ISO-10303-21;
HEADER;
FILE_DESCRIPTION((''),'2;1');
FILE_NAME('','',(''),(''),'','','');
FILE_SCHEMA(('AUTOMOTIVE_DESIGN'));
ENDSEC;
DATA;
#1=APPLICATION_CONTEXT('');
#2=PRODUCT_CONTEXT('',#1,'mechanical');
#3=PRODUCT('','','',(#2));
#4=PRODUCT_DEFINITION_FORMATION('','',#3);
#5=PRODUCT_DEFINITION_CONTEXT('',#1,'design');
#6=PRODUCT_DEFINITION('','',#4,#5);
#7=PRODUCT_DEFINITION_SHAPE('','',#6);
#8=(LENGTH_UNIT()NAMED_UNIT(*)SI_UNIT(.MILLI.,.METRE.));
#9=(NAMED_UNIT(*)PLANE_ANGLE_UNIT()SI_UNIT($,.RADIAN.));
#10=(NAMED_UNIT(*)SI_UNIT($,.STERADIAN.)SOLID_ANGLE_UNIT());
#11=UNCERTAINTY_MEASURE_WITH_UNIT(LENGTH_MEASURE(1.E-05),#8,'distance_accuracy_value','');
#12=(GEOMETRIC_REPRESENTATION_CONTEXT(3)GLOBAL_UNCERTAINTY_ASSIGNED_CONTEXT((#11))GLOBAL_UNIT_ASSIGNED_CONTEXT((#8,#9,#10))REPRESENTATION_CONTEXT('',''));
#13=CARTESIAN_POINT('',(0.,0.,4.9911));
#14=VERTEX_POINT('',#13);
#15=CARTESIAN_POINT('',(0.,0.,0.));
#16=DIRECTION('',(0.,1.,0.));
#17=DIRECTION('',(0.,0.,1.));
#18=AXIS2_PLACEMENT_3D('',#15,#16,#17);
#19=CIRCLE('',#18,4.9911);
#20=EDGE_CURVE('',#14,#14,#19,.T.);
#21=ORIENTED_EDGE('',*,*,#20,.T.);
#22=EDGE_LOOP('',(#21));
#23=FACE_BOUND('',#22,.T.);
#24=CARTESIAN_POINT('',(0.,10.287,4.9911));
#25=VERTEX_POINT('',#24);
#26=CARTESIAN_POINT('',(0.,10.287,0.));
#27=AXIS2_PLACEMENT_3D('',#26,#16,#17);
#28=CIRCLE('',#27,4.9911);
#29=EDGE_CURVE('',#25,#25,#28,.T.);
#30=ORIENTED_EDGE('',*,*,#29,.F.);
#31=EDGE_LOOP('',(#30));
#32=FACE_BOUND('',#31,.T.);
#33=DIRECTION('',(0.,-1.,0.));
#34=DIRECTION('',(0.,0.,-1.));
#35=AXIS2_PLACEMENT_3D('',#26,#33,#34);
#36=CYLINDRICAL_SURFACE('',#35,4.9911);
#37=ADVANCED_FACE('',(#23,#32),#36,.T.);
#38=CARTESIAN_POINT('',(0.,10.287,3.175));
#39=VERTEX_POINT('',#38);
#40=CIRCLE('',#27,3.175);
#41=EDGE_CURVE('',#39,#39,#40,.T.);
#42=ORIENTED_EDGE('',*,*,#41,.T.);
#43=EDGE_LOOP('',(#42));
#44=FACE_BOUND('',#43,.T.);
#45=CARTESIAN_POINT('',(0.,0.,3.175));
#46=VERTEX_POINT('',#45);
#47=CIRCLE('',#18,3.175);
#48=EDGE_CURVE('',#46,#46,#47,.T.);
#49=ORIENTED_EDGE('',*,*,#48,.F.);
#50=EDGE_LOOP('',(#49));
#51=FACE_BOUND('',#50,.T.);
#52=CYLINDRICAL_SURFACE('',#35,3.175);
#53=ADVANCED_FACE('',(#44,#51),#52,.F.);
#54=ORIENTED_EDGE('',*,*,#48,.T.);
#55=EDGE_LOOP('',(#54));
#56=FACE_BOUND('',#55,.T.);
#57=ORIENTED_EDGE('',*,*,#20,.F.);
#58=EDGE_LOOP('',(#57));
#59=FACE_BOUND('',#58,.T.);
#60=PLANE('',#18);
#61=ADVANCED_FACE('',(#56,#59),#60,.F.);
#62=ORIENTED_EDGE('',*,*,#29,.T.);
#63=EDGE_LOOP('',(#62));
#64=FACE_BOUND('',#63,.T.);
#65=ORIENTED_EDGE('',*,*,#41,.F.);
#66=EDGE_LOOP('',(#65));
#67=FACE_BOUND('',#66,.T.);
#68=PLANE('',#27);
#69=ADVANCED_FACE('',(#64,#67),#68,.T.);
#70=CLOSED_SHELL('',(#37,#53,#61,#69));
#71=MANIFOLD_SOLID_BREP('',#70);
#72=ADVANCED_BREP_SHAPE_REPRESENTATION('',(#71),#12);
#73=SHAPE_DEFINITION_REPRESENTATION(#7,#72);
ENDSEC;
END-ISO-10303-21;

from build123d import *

# Parameters (mm, degrees)
SKETCH1_R           = 4.9911
SKETCH1_R_2         = 3.175
BOSS_EXTRUDE1_DEPTH = 10.287


with BuildPart() as part:
    # Sketch1 → Boss-Extrude1 (new body)
    with BuildSketch(Plane(origin=(0, 0, 0), x_dir=(1, 0, 0), z_dir=(0, 1, 0))):
        Circle(SKETCH1_R)
        Circle(SKETCH1_R_2, mode=Mode.SUBTRACT)
    extrude(amount=BOSS_EXTRUDE1_DEPTH)


solid = part.part
